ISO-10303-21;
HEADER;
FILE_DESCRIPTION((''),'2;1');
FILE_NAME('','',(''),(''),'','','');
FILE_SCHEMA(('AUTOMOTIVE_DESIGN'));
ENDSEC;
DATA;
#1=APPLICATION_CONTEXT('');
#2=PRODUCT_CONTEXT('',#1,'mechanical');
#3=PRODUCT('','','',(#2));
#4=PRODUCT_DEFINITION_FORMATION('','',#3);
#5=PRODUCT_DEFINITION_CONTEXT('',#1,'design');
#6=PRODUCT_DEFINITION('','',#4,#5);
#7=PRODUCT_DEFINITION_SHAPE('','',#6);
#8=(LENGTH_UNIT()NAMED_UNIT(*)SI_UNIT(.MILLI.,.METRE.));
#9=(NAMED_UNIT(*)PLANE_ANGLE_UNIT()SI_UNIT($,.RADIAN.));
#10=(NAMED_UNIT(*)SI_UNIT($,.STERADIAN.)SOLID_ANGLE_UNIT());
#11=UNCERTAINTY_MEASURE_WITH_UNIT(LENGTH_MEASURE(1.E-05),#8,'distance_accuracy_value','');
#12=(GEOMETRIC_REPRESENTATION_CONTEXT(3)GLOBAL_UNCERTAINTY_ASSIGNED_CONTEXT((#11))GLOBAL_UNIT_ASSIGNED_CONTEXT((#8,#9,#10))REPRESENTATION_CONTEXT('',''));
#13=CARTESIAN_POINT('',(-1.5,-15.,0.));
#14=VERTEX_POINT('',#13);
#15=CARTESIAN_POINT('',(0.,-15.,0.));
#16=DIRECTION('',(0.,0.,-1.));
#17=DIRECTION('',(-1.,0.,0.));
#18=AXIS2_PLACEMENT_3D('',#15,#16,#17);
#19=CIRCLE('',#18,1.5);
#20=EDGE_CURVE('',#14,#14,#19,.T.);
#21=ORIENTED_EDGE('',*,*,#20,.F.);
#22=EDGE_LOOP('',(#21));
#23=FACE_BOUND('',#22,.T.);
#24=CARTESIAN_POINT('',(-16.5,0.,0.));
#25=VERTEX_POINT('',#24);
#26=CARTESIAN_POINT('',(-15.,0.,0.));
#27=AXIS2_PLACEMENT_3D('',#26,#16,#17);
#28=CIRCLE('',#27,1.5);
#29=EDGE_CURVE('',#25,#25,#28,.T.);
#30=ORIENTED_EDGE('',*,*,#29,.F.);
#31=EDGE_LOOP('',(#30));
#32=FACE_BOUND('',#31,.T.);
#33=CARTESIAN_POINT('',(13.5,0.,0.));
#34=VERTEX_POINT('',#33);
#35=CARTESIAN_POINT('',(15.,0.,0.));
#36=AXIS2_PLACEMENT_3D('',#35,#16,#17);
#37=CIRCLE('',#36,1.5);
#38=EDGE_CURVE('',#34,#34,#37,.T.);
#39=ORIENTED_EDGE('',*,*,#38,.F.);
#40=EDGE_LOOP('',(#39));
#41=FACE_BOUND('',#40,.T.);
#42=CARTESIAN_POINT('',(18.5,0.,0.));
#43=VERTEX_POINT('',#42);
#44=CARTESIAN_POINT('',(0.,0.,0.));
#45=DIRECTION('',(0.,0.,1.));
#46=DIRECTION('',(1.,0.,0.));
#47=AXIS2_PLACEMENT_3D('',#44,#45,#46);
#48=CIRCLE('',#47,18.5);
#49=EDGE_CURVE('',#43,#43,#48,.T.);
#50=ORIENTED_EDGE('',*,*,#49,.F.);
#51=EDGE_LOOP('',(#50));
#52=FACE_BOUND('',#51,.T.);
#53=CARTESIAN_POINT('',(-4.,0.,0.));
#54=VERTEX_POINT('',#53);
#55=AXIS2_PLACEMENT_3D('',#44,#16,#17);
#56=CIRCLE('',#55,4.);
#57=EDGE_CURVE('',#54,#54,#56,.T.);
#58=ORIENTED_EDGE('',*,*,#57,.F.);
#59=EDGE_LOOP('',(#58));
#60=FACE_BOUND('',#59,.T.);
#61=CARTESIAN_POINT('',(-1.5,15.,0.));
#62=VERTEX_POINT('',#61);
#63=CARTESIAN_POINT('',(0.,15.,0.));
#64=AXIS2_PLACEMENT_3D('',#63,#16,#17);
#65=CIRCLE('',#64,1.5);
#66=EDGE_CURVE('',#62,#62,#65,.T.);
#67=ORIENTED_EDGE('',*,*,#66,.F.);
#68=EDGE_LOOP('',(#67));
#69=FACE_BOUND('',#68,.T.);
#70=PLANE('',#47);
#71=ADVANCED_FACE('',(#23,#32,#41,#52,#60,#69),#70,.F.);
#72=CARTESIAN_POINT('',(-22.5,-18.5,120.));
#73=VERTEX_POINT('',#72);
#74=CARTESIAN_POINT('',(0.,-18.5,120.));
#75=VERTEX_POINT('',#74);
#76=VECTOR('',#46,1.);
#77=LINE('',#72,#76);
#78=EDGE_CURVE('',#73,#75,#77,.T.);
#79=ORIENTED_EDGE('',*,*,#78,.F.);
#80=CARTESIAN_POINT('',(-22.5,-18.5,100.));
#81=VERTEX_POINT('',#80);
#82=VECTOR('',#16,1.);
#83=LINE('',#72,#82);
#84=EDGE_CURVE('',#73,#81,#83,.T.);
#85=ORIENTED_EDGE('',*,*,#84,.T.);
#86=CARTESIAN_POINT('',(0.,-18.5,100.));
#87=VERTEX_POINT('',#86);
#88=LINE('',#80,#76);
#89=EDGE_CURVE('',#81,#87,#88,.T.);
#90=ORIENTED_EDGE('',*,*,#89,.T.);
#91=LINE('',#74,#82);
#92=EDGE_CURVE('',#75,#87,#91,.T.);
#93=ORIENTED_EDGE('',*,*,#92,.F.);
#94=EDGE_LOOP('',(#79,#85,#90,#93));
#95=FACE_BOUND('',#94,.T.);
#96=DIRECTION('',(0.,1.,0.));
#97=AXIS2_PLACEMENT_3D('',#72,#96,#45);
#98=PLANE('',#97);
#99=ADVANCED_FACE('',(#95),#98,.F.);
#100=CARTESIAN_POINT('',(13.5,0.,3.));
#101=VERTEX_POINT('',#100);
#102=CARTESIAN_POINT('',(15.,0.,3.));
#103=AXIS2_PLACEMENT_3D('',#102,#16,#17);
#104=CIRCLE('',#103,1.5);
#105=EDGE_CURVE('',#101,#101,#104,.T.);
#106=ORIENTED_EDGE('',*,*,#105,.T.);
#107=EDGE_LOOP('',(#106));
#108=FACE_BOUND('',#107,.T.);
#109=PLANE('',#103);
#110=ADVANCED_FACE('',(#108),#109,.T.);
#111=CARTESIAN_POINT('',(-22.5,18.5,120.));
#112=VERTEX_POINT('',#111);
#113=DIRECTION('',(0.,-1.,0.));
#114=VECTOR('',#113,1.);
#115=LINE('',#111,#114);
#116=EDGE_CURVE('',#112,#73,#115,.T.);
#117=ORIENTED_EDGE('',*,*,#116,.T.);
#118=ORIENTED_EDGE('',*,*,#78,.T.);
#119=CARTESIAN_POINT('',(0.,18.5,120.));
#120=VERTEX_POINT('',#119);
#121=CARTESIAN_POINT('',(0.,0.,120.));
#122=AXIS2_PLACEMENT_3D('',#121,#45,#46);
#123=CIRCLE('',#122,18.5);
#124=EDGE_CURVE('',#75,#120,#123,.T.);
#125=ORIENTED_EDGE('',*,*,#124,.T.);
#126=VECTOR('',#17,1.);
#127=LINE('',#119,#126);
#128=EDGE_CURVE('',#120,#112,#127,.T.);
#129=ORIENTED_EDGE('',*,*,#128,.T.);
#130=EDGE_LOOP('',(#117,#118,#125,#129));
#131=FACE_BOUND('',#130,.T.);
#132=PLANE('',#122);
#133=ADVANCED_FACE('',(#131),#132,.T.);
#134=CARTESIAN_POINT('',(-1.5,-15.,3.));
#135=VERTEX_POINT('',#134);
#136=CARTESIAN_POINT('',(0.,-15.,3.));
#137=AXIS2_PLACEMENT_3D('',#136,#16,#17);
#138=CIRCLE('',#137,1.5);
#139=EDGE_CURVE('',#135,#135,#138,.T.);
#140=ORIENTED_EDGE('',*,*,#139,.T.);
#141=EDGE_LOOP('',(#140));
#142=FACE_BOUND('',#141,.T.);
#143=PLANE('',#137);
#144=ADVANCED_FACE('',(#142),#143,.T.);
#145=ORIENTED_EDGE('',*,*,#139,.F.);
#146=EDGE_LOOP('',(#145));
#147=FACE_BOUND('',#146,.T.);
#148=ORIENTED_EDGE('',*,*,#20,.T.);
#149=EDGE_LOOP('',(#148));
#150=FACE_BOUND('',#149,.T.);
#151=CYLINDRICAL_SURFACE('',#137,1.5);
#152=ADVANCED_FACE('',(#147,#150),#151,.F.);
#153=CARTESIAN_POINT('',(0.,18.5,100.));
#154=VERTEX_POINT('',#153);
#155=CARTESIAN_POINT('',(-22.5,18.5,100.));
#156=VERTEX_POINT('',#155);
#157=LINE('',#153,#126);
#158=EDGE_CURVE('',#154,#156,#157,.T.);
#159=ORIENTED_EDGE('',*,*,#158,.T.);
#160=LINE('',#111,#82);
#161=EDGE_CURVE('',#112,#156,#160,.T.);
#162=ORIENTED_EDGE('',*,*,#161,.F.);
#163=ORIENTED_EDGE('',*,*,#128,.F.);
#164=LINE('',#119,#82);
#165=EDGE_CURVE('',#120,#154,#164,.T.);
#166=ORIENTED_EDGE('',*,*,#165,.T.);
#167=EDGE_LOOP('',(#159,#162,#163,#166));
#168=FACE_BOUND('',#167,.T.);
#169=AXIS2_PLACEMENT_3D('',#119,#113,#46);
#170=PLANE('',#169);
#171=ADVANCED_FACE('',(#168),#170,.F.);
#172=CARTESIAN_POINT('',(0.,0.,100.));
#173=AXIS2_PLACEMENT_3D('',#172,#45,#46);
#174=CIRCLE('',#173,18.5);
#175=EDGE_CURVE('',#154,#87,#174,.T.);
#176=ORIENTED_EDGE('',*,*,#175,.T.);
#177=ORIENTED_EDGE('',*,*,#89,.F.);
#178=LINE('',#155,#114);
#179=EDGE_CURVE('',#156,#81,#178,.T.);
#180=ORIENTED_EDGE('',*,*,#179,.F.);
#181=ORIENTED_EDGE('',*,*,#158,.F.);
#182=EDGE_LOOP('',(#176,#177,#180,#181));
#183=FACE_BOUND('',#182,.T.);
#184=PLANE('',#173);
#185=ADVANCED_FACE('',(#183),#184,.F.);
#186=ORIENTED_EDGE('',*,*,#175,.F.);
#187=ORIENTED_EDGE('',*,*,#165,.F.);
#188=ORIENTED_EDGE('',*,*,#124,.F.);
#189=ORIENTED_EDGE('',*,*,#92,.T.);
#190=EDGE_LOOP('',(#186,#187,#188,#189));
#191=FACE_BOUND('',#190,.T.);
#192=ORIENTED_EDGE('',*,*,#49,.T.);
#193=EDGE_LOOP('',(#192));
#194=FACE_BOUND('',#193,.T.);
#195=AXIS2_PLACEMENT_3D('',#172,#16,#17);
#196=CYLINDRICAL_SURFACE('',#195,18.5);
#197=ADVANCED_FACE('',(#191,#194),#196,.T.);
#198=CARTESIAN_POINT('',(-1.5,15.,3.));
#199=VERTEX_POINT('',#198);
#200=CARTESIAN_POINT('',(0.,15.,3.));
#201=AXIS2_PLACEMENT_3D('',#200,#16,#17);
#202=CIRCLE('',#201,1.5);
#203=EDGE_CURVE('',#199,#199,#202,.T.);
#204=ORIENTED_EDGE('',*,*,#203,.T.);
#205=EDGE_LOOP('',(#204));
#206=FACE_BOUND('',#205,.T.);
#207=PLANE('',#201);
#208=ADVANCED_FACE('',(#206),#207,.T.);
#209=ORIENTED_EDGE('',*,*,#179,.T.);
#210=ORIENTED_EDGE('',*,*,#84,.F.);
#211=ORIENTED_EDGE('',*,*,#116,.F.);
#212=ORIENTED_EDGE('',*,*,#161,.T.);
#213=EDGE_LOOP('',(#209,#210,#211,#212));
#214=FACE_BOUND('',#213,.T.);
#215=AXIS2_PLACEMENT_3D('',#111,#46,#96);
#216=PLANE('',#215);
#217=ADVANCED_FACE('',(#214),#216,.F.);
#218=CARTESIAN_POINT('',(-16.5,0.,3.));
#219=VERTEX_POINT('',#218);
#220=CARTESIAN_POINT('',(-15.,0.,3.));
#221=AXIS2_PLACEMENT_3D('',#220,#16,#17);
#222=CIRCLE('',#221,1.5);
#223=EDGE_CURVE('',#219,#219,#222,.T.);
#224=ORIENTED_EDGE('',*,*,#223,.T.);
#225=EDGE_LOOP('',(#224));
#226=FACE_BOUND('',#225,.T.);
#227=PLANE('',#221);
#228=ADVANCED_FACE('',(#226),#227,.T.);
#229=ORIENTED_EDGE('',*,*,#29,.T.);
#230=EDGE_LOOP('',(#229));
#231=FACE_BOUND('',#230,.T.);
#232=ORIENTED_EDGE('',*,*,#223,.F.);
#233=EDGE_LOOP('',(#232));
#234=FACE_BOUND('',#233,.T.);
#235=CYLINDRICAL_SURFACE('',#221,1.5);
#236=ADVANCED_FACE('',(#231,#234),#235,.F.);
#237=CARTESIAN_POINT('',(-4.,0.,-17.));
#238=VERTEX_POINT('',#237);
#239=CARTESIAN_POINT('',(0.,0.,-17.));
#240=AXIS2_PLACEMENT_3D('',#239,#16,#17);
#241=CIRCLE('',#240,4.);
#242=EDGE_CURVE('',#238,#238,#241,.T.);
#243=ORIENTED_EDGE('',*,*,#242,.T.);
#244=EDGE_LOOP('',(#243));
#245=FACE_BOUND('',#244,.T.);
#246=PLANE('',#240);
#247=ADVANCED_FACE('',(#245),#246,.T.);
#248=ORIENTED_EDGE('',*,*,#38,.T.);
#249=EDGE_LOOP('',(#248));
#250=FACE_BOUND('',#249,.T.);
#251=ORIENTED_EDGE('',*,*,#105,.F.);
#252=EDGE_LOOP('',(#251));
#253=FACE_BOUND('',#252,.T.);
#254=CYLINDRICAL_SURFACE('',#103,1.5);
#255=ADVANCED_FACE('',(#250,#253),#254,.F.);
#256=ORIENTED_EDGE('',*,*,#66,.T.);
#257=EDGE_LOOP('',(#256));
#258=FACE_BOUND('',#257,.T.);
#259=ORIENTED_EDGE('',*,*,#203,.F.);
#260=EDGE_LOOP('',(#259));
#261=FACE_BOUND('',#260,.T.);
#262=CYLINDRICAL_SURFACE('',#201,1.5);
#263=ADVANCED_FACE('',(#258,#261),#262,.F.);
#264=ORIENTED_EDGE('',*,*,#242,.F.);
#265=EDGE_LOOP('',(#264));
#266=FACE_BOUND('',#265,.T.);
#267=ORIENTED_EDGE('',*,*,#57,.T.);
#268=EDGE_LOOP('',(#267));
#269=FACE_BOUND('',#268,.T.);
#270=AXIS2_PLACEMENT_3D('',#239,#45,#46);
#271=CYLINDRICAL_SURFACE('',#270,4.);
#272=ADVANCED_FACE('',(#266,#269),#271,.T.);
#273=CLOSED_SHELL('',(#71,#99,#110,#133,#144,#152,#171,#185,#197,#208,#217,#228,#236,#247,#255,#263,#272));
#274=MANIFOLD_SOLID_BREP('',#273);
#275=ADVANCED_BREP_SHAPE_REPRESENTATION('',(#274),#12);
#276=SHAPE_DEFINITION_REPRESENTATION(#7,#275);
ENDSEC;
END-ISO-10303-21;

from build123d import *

# Parameters (mm, degrees)
SKETCH_1_R          = 18.5
EXTRUDE_1_DEPTH     = 100
EXTRUDE_2_DEPTH     = 20
SKETCH_3_R          = 4
EXTRUDE_3_DEPTH     = 17
SKETCH_4_R          = 1.5
CUT_EXTRUDE_1_DEPTH = 3


with BuildPart() as part:
    # Эскиз1 → Бобышка-Вытянуть1 (new body)
    with BuildSketch(Plane.XY):
        Circle(SKETCH_1_R)
    extrude(amount=EXTRUDE_1_DEPTH)

    # Эскиз2 → Бобышка-Вытянуть2 (add)
    with BuildSketch(Plane.XY.offset(100)):
        with BuildLine():
            Line((0, 18.5), (-22.5, 18.5))
            Line((-22.5, 18.5), (-22.5, -18.5))
            Line((-22.5, -18.5), (0, -18.5))
            ThreePointArc((0, -18.5), (18.5, 0), (0, 18.5))
        make_face()
    extrude(amount=EXTRUDE_2_DEPTH)

    # Эскиз3 → Бобышка-Вытянуть3 (add)
    with BuildSketch(Plane(origin=(0, 0, 0), x_dir=(-1, 0, 0), z_dir=(0, 0, -1))):
        Circle(SKETCH_3_R)
    extrude(amount=EXTRUDE_3_DEPTH)

    # Эскиз4 → Вырез-Вытянуть1 (cut)
    with BuildSketch(Plane(origin=(0, 0, 0), x_dir=(-1, 0, 0), z_dir=(0, 0, -1))):
        with Locations((15, 0)):
            Circle(SKETCH_4_R)
        with Locations((0, 15)):
            Circle(SKETCH_4_R)
        with Locations((-15, 0)):
            Circle(SKETCH_4_R)
        with Locations((0, -15)):
            Circle(SKETCH_4_R)
    extrude(amount=-CUT_EXTRUDE_1_DEPTH, mode=Mode.SUBTRACT)


solid = part.part
